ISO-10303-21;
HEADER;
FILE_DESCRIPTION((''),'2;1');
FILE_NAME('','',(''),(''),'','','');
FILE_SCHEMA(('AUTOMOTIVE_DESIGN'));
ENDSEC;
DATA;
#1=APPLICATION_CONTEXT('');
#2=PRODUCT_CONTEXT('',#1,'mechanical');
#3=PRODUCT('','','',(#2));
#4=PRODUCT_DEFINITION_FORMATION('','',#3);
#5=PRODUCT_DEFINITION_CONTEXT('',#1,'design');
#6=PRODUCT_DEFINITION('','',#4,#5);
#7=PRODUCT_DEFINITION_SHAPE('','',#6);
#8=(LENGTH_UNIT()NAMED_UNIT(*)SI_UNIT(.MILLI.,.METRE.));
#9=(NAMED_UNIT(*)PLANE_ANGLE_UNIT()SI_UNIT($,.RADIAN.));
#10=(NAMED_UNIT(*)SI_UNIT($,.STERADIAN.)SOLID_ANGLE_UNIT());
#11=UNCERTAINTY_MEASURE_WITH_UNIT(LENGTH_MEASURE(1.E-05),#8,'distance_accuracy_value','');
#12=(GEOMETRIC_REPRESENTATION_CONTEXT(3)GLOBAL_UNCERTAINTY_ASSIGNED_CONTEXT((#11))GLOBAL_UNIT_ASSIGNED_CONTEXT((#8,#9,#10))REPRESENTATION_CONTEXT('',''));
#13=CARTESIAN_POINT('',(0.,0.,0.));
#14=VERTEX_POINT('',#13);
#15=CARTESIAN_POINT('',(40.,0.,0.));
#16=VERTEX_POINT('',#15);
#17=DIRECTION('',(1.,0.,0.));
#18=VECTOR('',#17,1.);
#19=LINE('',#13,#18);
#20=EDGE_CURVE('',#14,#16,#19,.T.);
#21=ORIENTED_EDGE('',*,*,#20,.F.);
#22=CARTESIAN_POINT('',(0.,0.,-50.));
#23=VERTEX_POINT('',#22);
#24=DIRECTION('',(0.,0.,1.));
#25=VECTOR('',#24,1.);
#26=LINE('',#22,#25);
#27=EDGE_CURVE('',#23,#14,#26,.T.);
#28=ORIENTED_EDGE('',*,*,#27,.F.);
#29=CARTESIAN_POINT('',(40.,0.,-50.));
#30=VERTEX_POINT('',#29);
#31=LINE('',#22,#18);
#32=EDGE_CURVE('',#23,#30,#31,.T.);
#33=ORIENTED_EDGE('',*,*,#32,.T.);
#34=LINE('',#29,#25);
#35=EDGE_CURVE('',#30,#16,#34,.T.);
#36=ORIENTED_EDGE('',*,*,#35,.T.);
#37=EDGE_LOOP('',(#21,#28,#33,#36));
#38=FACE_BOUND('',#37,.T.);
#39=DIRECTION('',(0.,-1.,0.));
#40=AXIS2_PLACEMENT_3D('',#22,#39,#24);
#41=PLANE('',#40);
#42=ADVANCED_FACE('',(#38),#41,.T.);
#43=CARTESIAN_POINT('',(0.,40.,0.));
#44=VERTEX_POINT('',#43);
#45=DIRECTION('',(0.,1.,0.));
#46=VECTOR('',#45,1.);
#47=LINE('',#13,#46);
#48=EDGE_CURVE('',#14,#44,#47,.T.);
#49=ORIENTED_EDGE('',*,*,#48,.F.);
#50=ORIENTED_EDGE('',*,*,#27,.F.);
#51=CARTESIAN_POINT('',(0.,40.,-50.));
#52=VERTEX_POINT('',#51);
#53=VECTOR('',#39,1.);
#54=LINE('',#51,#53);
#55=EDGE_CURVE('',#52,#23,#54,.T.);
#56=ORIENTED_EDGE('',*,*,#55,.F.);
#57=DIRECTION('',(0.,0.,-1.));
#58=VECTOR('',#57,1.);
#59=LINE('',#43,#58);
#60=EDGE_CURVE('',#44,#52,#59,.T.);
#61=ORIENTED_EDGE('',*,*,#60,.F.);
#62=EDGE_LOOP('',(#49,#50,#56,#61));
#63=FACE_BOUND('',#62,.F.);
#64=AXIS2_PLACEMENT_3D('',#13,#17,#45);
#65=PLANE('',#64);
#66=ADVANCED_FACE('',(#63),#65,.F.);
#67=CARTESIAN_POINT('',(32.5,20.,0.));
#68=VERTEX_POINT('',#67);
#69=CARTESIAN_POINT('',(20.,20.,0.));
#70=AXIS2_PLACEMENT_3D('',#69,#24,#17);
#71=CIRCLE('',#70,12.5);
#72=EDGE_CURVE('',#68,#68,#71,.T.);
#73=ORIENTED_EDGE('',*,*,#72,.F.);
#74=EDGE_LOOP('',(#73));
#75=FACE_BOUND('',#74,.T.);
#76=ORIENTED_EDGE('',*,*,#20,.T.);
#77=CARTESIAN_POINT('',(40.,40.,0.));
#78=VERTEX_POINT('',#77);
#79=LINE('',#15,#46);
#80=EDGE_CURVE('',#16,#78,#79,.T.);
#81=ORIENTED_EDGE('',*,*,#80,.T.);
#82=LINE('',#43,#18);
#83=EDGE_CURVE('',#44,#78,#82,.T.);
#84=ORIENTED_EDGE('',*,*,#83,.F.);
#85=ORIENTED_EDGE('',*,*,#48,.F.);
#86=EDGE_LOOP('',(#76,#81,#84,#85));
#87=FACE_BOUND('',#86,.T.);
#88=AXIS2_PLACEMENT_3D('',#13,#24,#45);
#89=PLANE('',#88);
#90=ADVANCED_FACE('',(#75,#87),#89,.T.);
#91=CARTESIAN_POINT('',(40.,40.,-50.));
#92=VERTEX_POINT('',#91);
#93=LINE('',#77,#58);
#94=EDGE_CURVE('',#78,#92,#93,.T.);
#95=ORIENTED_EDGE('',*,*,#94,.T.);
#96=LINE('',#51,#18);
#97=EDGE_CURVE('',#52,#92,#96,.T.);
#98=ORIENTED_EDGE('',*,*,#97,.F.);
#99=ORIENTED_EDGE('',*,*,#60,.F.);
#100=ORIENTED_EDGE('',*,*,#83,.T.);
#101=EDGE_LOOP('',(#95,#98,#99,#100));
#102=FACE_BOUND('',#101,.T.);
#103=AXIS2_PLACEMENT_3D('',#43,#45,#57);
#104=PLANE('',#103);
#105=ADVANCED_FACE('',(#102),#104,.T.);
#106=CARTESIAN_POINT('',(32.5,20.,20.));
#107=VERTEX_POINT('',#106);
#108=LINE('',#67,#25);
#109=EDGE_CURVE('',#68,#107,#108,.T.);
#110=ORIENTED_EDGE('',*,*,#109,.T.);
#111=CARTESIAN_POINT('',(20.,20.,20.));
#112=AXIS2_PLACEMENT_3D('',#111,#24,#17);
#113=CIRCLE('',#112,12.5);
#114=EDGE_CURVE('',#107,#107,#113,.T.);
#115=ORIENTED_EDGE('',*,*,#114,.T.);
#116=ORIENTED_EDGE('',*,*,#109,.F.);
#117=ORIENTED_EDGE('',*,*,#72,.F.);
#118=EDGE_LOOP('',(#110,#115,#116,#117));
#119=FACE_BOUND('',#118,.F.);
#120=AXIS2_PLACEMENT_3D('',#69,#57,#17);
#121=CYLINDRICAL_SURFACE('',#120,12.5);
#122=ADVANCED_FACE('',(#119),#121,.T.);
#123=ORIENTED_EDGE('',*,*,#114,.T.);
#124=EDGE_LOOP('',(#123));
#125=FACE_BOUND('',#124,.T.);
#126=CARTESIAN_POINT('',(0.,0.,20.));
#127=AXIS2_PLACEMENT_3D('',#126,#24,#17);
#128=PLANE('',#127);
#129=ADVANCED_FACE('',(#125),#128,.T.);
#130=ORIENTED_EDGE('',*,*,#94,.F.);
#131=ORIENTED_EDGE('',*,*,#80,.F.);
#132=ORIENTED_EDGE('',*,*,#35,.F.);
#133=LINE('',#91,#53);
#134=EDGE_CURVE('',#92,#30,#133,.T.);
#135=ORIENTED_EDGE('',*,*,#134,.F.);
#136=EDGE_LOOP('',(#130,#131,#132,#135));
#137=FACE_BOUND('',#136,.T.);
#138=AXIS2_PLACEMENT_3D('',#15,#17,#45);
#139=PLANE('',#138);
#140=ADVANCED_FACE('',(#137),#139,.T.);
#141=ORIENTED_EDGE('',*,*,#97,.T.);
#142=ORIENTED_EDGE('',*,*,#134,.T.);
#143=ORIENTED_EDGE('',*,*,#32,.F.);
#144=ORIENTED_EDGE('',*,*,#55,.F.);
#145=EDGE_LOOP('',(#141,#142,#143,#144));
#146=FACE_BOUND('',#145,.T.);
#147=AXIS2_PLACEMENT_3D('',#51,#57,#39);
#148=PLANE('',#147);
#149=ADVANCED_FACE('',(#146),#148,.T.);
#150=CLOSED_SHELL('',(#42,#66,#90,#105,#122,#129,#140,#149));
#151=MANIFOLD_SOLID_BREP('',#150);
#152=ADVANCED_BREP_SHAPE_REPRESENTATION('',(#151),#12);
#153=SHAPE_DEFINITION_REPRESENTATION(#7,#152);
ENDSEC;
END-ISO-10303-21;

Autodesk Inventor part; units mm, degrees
ref_plane "YZ Plane" through (0, 0, 0) normal (1, 0, 0) x (0, 1, 0)
ref_plane "XZ Plane" through (0, 0, 0) normal (0, 1, 0) x (-1, 0, 0)
ref_plane "XY Plane" through (0, 0, 0) normal (0, 0, 1) x (1, 0, 0)
sketch "Skizze1" plane through (0, 0, 0) normal (1, 0, 0) x (0, 1, 0)
  line L0 (0, 0) -> (40, 0)
  line L1 (40, 0) -> (40, -50)
  line L2 (40, -50) -> (0, -50)
  line L3 (0, -50) -> (0, 0)
  dimension "d0" = 40
  dimension "d1" = 50
extrude "Extrusion1" add sketch "Skizze1" along normal blind 40
sketch "Skizze2" plane through (0, 0, 0) normal (0, 0, 1) x (1, 0, 0)
  line L0 (0, 40) -> (40, 40) construction
  line L1 (0, 0) -> (40, 40) construction
  line L2 (0, 40) -> (40, 0) construction
  line L3 (40, 40) -> (40, 0) construction
  circle A0 centre (20, 20) radius 12.5
  dimension "d4" = 25
extrude "Extrusion2" add sketch "Skizze2" along normal blind 20
sketch "Skizze3" plane through (40, 0, 0) normal (1, 0, 0) x (0, 0, -1)
  line L0 (3.2137, 16.0634) -> (29.2155, 16.0634) construction
  line L1 (29.2155, 16.0634) -> (29.2155, 5.0626) construction
  line L2 (29.2155, 5.0626) -> (3.2137, 5.0626) construction
  line L3 (3.2137, 5.0626) -> (3.2137, 16.0634) construction
  point P0 (0, 0)
properties part number "kamera_dummy"
